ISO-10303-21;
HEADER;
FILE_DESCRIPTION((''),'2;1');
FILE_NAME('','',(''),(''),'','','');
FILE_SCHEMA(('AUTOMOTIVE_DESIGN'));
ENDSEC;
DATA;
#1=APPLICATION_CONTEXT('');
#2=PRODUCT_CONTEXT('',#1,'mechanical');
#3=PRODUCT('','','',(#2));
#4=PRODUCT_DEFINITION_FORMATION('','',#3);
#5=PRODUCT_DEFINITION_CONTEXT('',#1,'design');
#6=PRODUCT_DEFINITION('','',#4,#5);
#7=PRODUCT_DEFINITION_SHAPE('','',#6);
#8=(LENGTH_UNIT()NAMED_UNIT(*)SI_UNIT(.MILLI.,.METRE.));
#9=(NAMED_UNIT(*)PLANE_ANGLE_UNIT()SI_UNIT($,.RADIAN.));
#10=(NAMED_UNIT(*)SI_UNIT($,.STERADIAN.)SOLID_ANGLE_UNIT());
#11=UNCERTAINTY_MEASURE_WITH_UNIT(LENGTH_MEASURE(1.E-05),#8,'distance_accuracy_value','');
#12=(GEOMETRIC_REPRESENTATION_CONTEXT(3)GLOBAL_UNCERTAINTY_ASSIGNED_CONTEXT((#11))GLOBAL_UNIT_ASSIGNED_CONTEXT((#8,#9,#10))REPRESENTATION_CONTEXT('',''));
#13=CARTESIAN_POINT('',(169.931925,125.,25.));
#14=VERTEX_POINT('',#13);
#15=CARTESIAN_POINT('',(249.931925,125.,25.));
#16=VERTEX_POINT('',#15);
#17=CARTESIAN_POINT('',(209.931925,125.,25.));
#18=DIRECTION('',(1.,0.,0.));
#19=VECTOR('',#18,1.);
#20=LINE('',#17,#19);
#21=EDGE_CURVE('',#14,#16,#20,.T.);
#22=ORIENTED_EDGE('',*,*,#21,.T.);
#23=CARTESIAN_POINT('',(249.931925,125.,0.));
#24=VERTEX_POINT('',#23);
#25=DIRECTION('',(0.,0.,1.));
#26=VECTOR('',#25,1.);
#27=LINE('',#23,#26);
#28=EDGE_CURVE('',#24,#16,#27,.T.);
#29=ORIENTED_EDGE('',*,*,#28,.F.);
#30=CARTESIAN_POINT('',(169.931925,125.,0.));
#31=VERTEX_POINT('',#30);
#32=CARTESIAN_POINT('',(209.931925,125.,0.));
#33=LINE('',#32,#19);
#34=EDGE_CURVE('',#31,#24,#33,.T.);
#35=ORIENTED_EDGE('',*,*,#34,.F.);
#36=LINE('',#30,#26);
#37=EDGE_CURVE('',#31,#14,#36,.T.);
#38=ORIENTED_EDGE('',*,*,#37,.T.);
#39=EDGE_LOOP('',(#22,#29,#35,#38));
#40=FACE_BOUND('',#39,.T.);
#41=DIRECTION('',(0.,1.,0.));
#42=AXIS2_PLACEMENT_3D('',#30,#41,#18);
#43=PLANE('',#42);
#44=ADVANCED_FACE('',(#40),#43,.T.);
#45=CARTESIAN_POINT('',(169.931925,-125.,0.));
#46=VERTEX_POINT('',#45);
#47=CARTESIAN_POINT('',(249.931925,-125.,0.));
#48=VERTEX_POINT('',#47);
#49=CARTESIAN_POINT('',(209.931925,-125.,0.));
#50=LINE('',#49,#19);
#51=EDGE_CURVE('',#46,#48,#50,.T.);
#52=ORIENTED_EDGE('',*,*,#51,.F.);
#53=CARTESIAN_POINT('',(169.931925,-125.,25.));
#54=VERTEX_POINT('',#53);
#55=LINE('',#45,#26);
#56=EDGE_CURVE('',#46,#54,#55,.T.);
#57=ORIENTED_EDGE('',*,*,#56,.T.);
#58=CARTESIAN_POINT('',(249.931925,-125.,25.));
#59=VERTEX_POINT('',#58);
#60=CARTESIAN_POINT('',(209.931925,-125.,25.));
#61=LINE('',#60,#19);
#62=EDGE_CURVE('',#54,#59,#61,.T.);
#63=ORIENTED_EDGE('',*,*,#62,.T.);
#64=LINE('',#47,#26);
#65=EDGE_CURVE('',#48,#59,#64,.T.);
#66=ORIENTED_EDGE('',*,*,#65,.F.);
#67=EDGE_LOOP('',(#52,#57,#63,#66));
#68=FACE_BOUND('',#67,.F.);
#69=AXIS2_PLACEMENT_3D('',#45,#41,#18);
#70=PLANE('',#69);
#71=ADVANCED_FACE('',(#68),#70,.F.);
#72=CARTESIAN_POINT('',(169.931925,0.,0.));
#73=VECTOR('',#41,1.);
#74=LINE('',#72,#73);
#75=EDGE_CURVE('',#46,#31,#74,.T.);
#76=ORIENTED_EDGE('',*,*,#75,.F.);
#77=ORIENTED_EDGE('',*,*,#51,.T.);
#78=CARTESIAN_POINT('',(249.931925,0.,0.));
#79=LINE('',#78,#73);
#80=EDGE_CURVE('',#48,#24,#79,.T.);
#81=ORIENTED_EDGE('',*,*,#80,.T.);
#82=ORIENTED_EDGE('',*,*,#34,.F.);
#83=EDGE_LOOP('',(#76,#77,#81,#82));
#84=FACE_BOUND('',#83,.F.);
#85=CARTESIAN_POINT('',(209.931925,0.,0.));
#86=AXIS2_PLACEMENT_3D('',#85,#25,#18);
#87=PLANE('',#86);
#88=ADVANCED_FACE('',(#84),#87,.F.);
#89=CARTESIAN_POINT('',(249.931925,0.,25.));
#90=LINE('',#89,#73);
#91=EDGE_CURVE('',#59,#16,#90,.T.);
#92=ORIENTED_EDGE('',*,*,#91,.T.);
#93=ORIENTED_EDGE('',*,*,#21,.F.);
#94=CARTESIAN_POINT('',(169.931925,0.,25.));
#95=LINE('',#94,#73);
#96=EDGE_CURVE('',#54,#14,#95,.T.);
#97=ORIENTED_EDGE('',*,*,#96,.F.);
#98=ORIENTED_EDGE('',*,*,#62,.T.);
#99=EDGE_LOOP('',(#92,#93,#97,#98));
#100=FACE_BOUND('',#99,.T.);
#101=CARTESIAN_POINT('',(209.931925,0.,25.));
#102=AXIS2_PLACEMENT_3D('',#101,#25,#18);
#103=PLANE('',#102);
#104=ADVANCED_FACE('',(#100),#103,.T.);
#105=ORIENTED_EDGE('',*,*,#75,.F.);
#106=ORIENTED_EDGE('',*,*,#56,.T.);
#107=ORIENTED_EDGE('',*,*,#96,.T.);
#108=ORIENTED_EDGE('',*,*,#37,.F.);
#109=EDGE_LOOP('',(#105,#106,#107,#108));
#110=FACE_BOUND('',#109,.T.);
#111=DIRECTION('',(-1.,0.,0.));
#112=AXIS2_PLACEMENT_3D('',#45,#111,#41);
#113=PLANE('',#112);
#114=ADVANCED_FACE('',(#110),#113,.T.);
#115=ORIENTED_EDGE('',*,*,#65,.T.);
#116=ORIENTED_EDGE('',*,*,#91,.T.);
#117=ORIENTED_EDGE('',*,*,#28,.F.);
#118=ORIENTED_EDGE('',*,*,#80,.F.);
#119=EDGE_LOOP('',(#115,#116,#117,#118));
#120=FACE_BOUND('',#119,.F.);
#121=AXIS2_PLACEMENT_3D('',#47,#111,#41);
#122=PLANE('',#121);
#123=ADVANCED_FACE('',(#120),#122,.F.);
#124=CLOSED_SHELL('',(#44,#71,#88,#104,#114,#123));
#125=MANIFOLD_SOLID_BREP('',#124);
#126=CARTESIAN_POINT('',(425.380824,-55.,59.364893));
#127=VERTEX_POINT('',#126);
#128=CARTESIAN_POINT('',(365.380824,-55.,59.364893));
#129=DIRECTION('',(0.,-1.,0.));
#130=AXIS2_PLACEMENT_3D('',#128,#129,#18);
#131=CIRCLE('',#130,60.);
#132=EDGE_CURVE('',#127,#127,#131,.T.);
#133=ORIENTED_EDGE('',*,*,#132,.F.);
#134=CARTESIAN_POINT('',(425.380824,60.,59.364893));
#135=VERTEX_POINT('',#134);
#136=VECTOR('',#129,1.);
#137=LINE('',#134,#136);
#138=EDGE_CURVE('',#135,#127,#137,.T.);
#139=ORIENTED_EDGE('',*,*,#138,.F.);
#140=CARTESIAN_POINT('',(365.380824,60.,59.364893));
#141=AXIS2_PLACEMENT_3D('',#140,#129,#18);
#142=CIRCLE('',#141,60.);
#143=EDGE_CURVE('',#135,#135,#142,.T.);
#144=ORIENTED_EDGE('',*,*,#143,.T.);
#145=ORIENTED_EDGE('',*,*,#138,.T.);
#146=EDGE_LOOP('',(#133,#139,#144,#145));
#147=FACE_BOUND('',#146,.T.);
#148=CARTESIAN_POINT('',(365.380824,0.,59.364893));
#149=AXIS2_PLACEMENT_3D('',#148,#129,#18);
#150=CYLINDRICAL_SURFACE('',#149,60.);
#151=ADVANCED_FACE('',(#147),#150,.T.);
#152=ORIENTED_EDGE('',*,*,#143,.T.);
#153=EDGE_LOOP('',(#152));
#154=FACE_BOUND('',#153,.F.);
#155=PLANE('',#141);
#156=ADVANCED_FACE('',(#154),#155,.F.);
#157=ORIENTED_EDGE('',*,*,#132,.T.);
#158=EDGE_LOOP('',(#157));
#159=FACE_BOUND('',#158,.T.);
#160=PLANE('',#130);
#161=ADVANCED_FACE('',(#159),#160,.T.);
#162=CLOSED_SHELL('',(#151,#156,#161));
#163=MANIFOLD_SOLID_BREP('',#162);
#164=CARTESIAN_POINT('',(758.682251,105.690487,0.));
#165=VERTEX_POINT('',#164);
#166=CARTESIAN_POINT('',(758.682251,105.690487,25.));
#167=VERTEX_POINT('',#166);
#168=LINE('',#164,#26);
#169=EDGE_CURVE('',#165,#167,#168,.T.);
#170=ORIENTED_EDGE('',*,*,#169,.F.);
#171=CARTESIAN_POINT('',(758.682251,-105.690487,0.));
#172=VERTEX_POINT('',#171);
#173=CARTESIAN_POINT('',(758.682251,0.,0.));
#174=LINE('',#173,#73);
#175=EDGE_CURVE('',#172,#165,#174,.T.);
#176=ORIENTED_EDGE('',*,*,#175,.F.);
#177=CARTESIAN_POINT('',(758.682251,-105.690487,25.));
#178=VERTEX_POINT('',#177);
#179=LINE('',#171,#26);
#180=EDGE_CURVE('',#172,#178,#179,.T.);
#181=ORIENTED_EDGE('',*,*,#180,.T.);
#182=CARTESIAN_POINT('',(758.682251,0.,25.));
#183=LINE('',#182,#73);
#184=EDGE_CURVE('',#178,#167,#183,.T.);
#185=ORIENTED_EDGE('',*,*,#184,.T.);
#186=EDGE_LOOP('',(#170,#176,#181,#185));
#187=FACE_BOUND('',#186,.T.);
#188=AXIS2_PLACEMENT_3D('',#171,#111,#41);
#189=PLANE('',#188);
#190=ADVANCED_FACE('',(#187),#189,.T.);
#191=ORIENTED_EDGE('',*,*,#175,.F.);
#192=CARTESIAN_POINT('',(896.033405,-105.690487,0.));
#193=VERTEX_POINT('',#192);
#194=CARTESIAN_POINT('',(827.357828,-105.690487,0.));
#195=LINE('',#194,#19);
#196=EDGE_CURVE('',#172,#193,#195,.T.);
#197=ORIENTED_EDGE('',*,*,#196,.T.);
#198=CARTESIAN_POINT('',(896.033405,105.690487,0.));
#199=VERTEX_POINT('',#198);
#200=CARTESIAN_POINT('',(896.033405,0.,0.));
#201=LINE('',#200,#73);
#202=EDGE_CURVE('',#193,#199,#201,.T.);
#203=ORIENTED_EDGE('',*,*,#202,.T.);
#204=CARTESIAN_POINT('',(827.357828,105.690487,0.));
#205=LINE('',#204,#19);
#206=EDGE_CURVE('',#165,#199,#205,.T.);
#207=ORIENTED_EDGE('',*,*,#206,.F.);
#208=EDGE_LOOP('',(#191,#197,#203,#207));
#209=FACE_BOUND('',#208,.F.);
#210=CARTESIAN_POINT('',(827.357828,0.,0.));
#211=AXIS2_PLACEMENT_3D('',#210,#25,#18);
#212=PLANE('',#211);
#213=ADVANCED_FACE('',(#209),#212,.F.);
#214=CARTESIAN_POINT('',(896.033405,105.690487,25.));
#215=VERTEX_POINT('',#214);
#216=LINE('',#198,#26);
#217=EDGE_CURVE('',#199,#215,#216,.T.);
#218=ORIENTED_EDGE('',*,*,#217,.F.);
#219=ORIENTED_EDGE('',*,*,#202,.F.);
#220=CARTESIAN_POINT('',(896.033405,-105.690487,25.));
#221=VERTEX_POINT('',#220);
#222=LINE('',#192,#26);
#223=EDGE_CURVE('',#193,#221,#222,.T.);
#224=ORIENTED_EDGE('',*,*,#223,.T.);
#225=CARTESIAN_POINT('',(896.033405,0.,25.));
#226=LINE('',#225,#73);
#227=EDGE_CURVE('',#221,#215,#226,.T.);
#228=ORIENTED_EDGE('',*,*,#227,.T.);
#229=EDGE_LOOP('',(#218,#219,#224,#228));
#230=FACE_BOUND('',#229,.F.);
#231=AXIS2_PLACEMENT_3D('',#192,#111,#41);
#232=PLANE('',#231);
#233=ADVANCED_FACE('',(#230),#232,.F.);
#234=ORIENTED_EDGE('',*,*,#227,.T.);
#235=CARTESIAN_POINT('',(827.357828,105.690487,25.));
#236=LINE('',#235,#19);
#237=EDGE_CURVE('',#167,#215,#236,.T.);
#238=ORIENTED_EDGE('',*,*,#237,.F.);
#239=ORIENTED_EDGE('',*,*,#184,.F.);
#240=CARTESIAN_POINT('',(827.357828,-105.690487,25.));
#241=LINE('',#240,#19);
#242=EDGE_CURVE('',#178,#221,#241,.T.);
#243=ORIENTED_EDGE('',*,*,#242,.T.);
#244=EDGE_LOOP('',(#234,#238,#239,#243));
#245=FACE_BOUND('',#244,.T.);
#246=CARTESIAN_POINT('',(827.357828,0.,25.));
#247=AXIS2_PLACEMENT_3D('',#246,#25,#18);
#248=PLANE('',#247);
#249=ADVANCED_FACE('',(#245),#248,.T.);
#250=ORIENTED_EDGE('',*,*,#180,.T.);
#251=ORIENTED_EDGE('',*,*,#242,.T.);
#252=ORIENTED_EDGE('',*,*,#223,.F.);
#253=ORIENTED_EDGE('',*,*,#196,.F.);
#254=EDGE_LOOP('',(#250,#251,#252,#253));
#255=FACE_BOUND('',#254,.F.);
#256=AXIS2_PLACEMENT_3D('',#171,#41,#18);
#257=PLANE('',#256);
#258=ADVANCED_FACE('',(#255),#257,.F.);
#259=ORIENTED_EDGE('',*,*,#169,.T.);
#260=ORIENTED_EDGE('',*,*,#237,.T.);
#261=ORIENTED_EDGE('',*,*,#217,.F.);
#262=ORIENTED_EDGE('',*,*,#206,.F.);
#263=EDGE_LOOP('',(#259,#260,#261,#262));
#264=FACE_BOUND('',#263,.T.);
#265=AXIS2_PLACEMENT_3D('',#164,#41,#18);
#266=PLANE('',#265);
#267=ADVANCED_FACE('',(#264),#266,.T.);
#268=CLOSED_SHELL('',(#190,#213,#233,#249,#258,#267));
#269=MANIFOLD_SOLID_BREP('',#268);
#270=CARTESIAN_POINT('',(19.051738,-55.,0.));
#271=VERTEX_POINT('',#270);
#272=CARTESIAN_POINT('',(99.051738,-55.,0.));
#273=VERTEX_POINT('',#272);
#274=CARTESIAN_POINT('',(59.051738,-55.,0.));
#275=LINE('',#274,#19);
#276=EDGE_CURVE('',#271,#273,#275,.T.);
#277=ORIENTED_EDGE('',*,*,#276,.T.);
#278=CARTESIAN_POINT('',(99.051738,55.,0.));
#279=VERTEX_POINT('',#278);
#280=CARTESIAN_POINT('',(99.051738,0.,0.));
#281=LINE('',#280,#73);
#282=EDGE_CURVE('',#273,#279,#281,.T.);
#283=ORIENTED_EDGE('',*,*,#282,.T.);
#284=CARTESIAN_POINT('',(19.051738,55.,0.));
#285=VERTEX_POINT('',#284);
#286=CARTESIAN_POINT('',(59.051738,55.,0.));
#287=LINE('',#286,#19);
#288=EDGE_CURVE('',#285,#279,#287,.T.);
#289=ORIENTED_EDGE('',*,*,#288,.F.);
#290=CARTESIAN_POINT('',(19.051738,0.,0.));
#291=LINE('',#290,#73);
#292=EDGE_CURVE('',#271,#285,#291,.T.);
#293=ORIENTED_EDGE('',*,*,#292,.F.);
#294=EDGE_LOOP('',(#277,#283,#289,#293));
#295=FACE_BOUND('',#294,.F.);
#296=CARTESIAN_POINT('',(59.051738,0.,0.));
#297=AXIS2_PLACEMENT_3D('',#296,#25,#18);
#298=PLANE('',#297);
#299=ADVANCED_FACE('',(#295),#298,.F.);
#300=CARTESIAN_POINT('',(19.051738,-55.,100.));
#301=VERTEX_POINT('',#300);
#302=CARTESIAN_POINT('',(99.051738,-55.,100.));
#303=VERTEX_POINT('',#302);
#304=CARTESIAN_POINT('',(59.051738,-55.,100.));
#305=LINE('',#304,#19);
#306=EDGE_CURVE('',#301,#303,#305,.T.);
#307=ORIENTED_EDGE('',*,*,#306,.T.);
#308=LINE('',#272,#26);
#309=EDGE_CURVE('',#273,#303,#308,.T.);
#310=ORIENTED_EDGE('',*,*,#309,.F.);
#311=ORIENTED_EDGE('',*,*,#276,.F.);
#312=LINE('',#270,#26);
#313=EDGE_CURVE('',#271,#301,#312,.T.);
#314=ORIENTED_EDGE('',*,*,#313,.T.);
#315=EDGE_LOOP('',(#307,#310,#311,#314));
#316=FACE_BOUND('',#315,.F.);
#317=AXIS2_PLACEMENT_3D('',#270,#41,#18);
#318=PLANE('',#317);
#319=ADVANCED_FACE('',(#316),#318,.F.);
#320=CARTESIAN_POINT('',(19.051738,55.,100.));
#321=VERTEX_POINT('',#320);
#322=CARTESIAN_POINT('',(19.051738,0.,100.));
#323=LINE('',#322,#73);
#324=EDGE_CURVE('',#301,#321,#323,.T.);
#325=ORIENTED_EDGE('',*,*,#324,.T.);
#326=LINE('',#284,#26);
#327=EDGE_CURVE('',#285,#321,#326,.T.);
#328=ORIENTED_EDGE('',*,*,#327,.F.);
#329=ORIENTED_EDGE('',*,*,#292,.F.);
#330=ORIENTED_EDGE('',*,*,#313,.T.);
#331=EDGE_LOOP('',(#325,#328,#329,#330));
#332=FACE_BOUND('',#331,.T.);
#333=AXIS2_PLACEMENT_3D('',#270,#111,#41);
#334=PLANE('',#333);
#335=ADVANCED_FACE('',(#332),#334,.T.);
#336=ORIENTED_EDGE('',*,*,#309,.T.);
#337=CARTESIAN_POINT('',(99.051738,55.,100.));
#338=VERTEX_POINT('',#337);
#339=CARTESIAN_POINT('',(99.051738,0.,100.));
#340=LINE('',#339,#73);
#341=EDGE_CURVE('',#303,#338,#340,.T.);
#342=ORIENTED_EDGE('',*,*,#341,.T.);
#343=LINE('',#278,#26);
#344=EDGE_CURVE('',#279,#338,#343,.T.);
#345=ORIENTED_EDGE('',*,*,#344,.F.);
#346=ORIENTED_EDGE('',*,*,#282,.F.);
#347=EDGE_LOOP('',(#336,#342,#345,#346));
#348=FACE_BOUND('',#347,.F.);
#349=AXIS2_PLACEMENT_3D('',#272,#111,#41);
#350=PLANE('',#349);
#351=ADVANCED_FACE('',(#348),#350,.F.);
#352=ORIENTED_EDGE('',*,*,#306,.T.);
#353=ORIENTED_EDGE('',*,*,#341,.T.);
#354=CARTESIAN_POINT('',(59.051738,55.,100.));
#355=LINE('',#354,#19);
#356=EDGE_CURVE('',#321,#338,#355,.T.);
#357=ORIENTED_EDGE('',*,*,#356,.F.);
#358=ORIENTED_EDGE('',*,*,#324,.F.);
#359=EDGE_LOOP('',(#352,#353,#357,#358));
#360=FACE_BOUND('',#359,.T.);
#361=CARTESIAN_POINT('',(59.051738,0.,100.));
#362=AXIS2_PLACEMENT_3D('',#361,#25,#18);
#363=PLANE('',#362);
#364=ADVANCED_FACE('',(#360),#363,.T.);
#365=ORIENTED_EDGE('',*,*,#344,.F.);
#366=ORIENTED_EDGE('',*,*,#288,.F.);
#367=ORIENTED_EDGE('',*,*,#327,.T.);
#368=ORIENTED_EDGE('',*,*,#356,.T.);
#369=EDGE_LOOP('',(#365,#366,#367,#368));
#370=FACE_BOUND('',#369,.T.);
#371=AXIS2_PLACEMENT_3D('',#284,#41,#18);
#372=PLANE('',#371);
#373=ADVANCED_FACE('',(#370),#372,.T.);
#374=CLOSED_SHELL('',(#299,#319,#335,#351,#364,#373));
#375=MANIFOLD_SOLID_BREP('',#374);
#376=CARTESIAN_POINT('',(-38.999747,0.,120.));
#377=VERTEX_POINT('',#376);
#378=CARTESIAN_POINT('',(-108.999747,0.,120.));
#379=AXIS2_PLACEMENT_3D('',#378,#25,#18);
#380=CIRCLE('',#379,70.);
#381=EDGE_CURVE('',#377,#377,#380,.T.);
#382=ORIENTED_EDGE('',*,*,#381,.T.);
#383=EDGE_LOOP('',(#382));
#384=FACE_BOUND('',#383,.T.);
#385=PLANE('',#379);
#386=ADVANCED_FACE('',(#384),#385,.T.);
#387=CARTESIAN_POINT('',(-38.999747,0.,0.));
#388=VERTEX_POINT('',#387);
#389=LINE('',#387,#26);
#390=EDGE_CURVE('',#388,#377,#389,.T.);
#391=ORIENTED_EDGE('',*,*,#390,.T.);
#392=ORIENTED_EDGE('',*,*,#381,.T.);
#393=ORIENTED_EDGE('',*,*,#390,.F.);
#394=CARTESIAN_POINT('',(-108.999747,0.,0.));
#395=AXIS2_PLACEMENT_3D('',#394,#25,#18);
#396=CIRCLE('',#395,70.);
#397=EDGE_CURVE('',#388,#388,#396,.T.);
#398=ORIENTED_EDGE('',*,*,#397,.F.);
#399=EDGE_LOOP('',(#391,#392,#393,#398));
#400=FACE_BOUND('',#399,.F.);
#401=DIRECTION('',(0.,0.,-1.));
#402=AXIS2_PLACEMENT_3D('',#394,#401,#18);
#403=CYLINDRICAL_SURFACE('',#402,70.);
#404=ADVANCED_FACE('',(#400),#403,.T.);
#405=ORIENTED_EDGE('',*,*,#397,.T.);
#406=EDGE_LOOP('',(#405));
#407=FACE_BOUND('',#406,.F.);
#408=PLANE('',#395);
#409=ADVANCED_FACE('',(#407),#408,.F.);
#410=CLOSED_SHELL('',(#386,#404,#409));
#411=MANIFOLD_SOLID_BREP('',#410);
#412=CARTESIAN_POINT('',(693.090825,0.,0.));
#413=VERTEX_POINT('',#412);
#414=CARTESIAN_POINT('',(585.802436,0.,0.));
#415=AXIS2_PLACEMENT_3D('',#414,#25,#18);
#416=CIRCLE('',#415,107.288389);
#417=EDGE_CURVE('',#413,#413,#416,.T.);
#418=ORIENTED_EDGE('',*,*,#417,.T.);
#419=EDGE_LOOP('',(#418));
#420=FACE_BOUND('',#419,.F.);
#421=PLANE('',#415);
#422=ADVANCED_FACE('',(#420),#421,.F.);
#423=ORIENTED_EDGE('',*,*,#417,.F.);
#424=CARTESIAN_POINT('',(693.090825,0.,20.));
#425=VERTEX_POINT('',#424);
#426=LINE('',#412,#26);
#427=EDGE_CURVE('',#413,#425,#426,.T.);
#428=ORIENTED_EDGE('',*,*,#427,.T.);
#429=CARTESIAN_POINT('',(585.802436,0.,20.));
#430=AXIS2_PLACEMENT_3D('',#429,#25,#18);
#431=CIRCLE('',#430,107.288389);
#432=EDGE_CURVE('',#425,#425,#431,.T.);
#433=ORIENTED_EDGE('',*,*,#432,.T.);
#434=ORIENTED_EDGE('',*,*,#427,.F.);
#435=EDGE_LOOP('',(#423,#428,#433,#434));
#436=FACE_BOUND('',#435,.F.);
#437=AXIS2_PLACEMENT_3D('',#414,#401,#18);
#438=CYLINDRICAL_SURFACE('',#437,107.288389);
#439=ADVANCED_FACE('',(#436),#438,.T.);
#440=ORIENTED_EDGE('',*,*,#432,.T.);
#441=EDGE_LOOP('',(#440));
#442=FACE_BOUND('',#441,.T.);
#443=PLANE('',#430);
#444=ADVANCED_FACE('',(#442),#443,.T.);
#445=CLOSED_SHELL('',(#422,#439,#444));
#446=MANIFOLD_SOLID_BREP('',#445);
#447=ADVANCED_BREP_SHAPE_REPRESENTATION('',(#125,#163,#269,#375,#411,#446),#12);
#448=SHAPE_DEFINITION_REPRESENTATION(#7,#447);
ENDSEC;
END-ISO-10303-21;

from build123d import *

# Parameters (mm, degrees)
F0_R          = 70
F1_DEPTH      = 120
F2_W          = 80
F2_H          = 110
F3_DEPTH      = 100
F4_W          = 80
F4_H          = 250
F5_DEPTH      = 25
F6_R          = 60
F7_DEPTH      = 55
F7_DEPTH_BACK = 60
F8_R          = 107.288389
F9_DEPTH      = 20
F10_W         = 137.351155
F10_H         = 211.380974
F11_DEPTH     = 25


with BuildPart() as f1:
    # F0 (on Top) → F1 (new body)
    with BuildSketch(Plane.XY):
        with Locations((-108.999747, 0)):
            Circle(F0_R)
    extrude(amount=F1_DEPTH)


with BuildPart() as f3:
    # F2 (on Top) → F3 (new body)
    with BuildSketch(Plane.XY):
        with Locations((59.051738, 0)):
            Rectangle(F2_W, F2_H)
    extrude(amount=F3_DEPTH)


with BuildPart() as f5:
    # F4 (on Top) → F5 (new body)
    with BuildSketch(Plane.XY):
        with Locations((209.931925, 0)):
            Rectangle(F4_W, F4_H)
    extrude(amount=F5_DEPTH)


with BuildPart() as f7:
    # F6 (on Front) → F7 (new body, two sides)
    with BuildSketch(Plane.XZ) as f7_sk:
        with Locations((365.380824, 59.364893)):
            Circle(F6_R)
    extrude(amount=F7_DEPTH)
    extrude(f7_sk.sketch, amount=-F7_DEPTH_BACK)


with BuildPart() as f9:
    # F8 (on Top) → F9 (new body)
    with BuildSketch(Plane.XY):
        with Locations((585.802436, 0)):
            Circle(F8_R)
    extrude(amount=F9_DEPTH)


with BuildPart() as f11:
    # F10 (on Top) → F11 (new body)
    with BuildSketch(Plane.XY):
        with Locations((827.357828, 0)):
            Rectangle(F10_W, F10_H)
    extrude(amount=F11_DEPTH)


solid = Compound([f1.part, f3.part, f5.part, f7.part, f9.part, f11.part])
